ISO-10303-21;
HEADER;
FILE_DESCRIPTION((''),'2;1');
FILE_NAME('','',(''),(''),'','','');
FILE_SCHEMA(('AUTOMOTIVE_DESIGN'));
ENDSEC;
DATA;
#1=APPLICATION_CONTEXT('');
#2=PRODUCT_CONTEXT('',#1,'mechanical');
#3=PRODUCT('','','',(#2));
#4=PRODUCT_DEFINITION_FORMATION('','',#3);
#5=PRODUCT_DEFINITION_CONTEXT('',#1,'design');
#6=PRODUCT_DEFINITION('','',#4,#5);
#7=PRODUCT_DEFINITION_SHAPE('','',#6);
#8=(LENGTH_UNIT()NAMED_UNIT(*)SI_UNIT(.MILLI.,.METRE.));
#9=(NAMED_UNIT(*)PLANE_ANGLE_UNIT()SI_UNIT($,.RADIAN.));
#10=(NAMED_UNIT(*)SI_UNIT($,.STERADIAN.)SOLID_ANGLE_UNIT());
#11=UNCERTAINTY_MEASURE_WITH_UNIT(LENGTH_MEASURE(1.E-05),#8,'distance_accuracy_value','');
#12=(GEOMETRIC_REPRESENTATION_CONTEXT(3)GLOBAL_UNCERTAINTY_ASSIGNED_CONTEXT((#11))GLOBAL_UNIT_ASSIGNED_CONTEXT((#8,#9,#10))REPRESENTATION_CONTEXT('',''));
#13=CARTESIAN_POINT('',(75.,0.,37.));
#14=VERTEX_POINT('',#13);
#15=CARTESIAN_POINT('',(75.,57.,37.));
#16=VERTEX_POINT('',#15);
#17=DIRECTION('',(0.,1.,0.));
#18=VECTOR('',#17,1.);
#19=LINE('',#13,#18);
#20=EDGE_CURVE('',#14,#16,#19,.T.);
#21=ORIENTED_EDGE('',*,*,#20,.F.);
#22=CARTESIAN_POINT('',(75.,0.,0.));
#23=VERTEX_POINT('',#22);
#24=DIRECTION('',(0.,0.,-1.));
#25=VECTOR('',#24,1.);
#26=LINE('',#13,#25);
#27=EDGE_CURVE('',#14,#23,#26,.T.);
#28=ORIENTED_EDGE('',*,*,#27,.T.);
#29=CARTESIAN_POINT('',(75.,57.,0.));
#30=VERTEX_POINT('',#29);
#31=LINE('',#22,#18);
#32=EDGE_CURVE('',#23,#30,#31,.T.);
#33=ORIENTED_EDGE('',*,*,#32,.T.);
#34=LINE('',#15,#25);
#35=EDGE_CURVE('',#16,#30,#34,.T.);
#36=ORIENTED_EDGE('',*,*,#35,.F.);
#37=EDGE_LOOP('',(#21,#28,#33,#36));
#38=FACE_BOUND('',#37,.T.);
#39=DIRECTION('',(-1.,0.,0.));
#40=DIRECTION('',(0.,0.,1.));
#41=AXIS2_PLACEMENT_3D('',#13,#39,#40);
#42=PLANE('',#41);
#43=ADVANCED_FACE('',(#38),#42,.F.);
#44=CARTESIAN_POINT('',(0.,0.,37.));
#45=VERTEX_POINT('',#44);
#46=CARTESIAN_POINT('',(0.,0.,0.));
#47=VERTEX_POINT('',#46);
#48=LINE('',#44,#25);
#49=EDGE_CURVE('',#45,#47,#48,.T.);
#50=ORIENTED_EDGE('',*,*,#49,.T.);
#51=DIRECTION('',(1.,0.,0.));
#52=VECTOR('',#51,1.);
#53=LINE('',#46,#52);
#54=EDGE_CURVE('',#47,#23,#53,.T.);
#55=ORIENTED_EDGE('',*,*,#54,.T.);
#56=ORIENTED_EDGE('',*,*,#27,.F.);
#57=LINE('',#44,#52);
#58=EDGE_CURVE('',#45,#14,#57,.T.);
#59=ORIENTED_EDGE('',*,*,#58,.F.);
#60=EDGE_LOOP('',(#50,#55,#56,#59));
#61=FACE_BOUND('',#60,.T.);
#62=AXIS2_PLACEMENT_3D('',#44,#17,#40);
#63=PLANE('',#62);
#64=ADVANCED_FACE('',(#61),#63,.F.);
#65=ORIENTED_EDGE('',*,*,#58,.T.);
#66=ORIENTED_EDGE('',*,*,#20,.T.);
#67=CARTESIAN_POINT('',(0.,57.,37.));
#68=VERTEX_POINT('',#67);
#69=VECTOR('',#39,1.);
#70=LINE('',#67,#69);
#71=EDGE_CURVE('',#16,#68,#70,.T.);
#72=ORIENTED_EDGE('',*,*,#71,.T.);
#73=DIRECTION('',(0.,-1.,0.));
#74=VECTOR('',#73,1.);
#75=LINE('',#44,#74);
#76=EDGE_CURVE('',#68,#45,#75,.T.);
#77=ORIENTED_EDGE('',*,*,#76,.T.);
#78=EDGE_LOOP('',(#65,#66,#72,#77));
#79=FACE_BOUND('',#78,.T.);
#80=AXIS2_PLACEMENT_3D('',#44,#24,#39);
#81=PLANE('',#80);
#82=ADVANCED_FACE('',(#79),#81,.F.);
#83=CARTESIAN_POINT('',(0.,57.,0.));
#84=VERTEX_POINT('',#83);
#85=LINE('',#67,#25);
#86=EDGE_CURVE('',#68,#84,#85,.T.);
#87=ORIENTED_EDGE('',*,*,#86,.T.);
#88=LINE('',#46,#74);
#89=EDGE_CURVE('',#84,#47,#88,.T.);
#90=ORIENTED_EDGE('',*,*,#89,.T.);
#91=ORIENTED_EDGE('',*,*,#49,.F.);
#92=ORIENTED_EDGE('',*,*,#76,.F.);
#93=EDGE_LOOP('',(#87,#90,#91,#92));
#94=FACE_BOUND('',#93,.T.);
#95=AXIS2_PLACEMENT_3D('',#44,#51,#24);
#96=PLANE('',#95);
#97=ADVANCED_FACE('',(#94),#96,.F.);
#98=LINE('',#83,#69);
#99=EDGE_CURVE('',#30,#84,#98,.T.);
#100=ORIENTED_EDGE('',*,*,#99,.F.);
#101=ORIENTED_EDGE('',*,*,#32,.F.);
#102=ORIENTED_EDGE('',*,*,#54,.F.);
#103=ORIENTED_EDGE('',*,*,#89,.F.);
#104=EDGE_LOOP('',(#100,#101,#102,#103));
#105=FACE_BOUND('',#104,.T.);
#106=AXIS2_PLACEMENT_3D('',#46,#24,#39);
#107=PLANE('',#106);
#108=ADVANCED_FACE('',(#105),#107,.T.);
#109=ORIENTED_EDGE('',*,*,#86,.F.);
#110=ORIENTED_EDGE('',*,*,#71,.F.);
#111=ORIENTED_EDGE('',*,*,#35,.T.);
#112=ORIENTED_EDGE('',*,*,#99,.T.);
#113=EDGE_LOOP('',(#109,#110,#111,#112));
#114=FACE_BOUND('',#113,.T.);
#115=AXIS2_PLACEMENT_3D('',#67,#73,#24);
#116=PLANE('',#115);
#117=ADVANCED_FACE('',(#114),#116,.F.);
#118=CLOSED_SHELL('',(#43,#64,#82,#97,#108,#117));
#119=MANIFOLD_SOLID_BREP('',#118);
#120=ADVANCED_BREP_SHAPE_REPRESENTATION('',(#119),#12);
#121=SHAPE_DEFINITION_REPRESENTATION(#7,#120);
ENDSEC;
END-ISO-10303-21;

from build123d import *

# Parameters (mm, degrees)
SKETCH_1_W      = 75
SKETCH_1_H      = 57
EXTRUDE_1_DEPTH = 37


with BuildPart() as part:
    # 스케치1 → 보스-돌출1 (new body)
    with BuildSketch(Plane.XY):
        with Locations((37.5, 28.5)):
            Rectangle(SKETCH_1_W, SKETCH_1_H)
    extrude(amount=EXTRUDE_1_DEPTH)


solid = part.part
